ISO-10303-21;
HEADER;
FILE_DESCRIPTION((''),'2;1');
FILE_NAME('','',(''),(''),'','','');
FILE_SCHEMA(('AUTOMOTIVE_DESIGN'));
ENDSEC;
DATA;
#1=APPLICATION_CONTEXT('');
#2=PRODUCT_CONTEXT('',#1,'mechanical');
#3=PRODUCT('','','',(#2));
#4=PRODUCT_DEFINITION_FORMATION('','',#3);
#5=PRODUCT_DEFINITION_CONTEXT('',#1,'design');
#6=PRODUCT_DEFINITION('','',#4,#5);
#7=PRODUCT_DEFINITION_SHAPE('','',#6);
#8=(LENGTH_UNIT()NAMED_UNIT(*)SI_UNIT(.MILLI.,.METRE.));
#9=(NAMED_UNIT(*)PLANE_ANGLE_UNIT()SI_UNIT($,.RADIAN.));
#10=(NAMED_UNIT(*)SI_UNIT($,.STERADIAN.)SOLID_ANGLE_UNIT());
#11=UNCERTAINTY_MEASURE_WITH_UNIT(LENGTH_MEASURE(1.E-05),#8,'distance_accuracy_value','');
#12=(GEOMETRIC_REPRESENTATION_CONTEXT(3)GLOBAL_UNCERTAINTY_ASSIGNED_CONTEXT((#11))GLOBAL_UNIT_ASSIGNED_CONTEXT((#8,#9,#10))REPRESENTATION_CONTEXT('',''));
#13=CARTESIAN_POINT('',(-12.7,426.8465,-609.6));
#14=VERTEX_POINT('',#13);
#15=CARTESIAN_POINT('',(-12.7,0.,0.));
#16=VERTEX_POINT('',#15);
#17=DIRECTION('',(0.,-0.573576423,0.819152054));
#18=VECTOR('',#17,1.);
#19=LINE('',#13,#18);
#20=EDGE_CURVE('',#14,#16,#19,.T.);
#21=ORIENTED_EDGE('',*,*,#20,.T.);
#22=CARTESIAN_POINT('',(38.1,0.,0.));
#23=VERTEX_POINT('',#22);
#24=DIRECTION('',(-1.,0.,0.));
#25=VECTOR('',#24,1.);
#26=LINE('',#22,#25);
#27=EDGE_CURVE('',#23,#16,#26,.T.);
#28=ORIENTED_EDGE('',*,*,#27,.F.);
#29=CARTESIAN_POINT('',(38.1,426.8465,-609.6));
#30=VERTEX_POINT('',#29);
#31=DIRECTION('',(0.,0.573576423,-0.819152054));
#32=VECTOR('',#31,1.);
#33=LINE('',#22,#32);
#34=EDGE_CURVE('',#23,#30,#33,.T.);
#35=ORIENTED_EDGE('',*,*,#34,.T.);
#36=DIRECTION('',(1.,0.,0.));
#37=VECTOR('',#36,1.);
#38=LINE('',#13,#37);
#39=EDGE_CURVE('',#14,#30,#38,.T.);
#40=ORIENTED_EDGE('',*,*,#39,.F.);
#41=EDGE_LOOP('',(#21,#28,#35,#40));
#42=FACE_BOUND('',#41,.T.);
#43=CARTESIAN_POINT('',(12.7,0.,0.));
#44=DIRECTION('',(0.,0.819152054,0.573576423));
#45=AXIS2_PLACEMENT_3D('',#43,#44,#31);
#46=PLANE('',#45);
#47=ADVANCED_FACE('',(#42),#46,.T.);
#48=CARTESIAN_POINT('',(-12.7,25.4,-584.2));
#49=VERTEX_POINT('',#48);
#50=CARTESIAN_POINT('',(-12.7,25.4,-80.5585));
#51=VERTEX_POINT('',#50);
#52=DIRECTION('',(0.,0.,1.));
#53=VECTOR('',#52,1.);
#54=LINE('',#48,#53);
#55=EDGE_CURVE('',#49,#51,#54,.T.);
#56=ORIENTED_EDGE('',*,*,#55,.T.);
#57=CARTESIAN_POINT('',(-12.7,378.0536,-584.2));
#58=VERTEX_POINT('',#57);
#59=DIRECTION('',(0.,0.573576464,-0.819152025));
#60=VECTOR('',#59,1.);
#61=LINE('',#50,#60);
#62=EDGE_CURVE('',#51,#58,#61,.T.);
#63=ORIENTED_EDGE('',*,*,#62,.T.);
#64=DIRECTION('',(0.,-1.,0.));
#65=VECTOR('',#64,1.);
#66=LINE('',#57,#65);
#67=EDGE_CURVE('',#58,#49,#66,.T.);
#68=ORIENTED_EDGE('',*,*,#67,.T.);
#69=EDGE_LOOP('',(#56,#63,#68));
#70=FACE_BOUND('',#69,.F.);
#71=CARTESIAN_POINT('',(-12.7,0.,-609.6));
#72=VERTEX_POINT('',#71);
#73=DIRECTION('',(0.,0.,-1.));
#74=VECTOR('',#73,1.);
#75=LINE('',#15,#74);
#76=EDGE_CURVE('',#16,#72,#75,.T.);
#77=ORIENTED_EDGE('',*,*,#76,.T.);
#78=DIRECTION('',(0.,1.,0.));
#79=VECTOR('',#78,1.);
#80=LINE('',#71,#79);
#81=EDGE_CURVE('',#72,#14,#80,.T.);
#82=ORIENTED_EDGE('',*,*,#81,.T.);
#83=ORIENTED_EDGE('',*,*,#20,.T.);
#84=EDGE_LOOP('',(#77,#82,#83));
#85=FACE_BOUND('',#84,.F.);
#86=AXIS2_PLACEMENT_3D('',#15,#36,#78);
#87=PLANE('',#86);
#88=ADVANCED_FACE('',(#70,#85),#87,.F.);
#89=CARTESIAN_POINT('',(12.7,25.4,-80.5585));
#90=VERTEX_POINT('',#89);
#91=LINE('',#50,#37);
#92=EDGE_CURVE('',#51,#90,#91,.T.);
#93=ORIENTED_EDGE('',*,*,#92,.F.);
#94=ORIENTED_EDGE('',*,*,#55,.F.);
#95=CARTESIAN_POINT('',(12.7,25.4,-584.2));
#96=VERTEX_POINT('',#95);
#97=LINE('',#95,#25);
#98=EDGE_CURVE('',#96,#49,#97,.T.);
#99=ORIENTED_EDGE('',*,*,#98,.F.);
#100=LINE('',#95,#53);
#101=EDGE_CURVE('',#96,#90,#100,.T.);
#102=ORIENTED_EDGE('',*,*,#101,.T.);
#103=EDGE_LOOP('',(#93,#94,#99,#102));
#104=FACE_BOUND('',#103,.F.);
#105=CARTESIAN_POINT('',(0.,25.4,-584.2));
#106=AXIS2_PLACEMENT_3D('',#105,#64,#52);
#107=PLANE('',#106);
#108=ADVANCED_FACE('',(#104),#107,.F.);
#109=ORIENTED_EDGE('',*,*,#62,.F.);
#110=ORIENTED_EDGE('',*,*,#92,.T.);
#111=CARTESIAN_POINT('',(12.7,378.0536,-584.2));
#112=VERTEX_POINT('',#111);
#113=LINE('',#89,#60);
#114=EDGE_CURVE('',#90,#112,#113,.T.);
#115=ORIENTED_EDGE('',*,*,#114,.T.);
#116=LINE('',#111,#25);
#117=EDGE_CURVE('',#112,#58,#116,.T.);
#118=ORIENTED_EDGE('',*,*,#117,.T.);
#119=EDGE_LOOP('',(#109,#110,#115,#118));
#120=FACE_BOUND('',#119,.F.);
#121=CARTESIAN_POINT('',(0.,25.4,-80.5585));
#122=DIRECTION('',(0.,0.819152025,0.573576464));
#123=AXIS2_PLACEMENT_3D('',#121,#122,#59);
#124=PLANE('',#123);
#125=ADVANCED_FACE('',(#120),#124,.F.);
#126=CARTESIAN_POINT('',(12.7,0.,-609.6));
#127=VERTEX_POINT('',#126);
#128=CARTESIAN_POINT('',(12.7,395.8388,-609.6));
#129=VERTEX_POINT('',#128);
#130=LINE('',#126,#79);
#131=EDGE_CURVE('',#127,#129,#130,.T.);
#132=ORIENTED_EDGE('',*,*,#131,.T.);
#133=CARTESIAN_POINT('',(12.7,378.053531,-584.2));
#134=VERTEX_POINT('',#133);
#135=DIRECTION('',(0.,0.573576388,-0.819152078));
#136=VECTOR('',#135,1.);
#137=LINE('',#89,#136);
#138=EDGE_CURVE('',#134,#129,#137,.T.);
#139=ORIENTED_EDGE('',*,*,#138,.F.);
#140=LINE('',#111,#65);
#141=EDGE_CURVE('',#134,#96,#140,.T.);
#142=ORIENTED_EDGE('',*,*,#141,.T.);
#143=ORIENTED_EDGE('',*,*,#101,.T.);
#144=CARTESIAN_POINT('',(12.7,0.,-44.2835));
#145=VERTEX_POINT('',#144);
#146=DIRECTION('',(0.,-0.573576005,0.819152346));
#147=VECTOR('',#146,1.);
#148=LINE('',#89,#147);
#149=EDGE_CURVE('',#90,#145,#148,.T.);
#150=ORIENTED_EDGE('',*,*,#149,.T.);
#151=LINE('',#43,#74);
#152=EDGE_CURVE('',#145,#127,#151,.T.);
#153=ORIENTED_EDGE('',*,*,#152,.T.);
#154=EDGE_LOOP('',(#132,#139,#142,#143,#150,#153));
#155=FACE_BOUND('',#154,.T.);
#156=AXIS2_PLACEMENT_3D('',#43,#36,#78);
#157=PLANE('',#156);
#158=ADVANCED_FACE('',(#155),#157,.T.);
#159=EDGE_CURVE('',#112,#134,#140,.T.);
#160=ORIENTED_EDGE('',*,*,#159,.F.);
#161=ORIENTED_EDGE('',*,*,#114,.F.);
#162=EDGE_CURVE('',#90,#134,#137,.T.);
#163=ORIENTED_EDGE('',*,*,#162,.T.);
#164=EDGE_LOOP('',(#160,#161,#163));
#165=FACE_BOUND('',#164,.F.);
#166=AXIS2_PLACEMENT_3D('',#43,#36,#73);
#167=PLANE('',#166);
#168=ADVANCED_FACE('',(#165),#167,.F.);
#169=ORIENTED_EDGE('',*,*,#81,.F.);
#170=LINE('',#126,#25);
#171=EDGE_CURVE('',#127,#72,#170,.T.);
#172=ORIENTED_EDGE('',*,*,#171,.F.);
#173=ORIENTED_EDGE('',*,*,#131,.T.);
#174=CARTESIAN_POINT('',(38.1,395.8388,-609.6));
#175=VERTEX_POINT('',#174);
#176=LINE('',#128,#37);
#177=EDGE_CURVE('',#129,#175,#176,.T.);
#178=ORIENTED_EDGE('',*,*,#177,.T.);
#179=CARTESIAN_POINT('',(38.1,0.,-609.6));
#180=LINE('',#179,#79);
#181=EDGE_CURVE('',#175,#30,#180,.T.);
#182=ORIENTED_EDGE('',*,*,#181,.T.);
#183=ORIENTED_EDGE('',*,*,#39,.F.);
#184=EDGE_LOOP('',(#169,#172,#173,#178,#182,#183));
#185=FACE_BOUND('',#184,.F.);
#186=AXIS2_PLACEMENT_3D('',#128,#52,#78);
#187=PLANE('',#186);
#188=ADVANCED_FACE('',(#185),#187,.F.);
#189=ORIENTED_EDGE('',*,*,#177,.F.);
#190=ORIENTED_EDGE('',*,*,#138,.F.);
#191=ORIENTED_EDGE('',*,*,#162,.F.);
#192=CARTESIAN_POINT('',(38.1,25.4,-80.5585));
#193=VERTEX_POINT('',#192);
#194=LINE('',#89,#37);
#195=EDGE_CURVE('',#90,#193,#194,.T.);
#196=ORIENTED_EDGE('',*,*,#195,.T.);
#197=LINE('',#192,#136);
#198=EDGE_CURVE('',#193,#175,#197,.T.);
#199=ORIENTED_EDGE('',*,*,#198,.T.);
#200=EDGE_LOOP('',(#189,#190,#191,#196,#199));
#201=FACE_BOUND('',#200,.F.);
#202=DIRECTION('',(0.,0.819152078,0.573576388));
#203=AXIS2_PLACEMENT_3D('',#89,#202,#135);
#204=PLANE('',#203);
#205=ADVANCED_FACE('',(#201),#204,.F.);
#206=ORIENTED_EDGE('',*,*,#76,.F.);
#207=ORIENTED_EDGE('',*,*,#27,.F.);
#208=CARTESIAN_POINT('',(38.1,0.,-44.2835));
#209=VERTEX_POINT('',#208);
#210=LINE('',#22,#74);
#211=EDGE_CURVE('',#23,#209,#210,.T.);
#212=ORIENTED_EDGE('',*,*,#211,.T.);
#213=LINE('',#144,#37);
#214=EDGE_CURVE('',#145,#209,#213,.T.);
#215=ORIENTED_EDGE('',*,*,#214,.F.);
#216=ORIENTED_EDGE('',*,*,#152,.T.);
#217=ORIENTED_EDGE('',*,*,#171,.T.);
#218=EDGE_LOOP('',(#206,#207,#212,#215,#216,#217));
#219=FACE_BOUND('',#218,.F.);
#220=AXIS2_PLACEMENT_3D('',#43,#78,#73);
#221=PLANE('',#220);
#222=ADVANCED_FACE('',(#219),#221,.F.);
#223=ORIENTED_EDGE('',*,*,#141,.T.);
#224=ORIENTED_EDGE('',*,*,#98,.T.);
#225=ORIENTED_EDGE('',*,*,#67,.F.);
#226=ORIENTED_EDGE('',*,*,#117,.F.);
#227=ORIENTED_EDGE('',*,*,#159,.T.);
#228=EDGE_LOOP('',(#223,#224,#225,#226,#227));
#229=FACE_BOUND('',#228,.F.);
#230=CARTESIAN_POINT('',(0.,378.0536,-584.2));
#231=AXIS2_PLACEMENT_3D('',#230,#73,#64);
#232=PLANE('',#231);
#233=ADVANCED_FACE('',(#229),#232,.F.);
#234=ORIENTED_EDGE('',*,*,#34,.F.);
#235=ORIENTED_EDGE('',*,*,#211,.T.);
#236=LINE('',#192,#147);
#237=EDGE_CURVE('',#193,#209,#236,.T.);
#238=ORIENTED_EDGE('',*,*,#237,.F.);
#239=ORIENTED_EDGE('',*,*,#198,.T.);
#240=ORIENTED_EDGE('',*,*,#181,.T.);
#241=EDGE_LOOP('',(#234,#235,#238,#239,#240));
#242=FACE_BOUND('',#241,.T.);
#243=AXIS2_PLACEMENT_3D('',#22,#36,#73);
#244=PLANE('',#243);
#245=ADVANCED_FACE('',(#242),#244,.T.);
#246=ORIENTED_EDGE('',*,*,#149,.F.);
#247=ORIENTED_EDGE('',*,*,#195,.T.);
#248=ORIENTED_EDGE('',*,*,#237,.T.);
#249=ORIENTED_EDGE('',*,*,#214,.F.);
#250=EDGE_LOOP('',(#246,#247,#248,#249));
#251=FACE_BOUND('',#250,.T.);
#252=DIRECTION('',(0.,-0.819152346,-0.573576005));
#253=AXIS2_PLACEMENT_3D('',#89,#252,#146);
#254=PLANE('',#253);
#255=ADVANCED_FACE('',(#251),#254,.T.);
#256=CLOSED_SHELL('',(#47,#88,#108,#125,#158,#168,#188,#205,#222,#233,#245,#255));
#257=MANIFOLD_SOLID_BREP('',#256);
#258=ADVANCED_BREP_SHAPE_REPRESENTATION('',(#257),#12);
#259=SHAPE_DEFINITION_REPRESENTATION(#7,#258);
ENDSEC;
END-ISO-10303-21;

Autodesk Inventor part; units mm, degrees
ref_plane "YZ Plane" through (0, 0, 0) normal (1, 0, 0) x (0, 1, 0)
ref_plane "XZ Plane" through (0, 0, 0) normal (0, 1, 0) x (-1, 0, 0)
ref_plane "XY Plane" through (0, 0, 0) normal (0, 0, 1) x (1, 0, 0)
sketch "Sketch1" plane through (0, 0, 0) normal (1, 0, 0) x (0, 1, 0)
  line L0 (0, 0) -> (0, -609.6)
  line L1 (0, -609.6) -> (426.8465, -609.6)
  line L2 (426.8465, -609.6) -> (0, 0)
  line L3 (25.4, -80.5585) -> (378.0536, -584.2)
  line L4 (378.0536, -584.2) -> (25.4, -584.2)
  line L5 (25.4, -584.2) -> (25.4, -80.5585)
  dimension "d0" = 609.6
  dimension "d1" = 35
  dimension "d2" = 25.4
  dimension "d3" = 25.4
  dimension "d4" = 25.4
extrude "Extrusion1" add sketch "Sketch1" along normal mid plane 25.4
sketch "Sketch4" plane through (12.7, 0, 0) normal (1, 0, 0) x (0, 0, -1)
  line L0 (609.6, 0) -> (609.6, 426.8465) projected
  line L1 (0, 0) -> (609.6, 426.8465)
  line L2 (584.2, 25.4) -> (80.5585, 25.4) projected
  line L3 (80.5585, 25.4) -> (609.6, 395.8388)
  line L4 (80.5585, 25.4) -> (44.2835, 0)
  line L5 (0, 0) -> (609.6, 0) projected
  line L6 (44.2835, 0) -> (0, 0)
  line L7 (609.6, 426.8465) -> (609.6, 395.8388)
extrude "Extrusion3" add sketch "Sketch4" along normal blind 25.4 contours L3 L4 L5 L1 L0
sketch "Sketch2" plane through (-12.7, 0, 0) normal (-1, 0, 0) x (0, 0, 1)
  line L0 (-609.6, 0) -> (-609.6, 426.8465) projected
  line L1 (-609.6, 426.8465) -> (0, 0) projected
  line L2 (-609.6, 426.8465) -> (0, 0)
  line L3 (-80.5585, 25.4) -> (-584.2, 378.0536) projected
  line L4 (-584.2, 378.0536) -> (-39.5154, 0)
  line L5 (0, 0) -> (-609.6, 0) projected
  line L6 (-584.2, 378.0536) -> (-609.6, 395.8388)
  line L7 (-609.6, 511.5151) -> (-609.6, 395.8388)
  line L8 (-39.5154, 0) -> (0, 0)
  point P0 (-69.7859, 25.4)
properties part number "ballRampRightSide-35degree-V04"
